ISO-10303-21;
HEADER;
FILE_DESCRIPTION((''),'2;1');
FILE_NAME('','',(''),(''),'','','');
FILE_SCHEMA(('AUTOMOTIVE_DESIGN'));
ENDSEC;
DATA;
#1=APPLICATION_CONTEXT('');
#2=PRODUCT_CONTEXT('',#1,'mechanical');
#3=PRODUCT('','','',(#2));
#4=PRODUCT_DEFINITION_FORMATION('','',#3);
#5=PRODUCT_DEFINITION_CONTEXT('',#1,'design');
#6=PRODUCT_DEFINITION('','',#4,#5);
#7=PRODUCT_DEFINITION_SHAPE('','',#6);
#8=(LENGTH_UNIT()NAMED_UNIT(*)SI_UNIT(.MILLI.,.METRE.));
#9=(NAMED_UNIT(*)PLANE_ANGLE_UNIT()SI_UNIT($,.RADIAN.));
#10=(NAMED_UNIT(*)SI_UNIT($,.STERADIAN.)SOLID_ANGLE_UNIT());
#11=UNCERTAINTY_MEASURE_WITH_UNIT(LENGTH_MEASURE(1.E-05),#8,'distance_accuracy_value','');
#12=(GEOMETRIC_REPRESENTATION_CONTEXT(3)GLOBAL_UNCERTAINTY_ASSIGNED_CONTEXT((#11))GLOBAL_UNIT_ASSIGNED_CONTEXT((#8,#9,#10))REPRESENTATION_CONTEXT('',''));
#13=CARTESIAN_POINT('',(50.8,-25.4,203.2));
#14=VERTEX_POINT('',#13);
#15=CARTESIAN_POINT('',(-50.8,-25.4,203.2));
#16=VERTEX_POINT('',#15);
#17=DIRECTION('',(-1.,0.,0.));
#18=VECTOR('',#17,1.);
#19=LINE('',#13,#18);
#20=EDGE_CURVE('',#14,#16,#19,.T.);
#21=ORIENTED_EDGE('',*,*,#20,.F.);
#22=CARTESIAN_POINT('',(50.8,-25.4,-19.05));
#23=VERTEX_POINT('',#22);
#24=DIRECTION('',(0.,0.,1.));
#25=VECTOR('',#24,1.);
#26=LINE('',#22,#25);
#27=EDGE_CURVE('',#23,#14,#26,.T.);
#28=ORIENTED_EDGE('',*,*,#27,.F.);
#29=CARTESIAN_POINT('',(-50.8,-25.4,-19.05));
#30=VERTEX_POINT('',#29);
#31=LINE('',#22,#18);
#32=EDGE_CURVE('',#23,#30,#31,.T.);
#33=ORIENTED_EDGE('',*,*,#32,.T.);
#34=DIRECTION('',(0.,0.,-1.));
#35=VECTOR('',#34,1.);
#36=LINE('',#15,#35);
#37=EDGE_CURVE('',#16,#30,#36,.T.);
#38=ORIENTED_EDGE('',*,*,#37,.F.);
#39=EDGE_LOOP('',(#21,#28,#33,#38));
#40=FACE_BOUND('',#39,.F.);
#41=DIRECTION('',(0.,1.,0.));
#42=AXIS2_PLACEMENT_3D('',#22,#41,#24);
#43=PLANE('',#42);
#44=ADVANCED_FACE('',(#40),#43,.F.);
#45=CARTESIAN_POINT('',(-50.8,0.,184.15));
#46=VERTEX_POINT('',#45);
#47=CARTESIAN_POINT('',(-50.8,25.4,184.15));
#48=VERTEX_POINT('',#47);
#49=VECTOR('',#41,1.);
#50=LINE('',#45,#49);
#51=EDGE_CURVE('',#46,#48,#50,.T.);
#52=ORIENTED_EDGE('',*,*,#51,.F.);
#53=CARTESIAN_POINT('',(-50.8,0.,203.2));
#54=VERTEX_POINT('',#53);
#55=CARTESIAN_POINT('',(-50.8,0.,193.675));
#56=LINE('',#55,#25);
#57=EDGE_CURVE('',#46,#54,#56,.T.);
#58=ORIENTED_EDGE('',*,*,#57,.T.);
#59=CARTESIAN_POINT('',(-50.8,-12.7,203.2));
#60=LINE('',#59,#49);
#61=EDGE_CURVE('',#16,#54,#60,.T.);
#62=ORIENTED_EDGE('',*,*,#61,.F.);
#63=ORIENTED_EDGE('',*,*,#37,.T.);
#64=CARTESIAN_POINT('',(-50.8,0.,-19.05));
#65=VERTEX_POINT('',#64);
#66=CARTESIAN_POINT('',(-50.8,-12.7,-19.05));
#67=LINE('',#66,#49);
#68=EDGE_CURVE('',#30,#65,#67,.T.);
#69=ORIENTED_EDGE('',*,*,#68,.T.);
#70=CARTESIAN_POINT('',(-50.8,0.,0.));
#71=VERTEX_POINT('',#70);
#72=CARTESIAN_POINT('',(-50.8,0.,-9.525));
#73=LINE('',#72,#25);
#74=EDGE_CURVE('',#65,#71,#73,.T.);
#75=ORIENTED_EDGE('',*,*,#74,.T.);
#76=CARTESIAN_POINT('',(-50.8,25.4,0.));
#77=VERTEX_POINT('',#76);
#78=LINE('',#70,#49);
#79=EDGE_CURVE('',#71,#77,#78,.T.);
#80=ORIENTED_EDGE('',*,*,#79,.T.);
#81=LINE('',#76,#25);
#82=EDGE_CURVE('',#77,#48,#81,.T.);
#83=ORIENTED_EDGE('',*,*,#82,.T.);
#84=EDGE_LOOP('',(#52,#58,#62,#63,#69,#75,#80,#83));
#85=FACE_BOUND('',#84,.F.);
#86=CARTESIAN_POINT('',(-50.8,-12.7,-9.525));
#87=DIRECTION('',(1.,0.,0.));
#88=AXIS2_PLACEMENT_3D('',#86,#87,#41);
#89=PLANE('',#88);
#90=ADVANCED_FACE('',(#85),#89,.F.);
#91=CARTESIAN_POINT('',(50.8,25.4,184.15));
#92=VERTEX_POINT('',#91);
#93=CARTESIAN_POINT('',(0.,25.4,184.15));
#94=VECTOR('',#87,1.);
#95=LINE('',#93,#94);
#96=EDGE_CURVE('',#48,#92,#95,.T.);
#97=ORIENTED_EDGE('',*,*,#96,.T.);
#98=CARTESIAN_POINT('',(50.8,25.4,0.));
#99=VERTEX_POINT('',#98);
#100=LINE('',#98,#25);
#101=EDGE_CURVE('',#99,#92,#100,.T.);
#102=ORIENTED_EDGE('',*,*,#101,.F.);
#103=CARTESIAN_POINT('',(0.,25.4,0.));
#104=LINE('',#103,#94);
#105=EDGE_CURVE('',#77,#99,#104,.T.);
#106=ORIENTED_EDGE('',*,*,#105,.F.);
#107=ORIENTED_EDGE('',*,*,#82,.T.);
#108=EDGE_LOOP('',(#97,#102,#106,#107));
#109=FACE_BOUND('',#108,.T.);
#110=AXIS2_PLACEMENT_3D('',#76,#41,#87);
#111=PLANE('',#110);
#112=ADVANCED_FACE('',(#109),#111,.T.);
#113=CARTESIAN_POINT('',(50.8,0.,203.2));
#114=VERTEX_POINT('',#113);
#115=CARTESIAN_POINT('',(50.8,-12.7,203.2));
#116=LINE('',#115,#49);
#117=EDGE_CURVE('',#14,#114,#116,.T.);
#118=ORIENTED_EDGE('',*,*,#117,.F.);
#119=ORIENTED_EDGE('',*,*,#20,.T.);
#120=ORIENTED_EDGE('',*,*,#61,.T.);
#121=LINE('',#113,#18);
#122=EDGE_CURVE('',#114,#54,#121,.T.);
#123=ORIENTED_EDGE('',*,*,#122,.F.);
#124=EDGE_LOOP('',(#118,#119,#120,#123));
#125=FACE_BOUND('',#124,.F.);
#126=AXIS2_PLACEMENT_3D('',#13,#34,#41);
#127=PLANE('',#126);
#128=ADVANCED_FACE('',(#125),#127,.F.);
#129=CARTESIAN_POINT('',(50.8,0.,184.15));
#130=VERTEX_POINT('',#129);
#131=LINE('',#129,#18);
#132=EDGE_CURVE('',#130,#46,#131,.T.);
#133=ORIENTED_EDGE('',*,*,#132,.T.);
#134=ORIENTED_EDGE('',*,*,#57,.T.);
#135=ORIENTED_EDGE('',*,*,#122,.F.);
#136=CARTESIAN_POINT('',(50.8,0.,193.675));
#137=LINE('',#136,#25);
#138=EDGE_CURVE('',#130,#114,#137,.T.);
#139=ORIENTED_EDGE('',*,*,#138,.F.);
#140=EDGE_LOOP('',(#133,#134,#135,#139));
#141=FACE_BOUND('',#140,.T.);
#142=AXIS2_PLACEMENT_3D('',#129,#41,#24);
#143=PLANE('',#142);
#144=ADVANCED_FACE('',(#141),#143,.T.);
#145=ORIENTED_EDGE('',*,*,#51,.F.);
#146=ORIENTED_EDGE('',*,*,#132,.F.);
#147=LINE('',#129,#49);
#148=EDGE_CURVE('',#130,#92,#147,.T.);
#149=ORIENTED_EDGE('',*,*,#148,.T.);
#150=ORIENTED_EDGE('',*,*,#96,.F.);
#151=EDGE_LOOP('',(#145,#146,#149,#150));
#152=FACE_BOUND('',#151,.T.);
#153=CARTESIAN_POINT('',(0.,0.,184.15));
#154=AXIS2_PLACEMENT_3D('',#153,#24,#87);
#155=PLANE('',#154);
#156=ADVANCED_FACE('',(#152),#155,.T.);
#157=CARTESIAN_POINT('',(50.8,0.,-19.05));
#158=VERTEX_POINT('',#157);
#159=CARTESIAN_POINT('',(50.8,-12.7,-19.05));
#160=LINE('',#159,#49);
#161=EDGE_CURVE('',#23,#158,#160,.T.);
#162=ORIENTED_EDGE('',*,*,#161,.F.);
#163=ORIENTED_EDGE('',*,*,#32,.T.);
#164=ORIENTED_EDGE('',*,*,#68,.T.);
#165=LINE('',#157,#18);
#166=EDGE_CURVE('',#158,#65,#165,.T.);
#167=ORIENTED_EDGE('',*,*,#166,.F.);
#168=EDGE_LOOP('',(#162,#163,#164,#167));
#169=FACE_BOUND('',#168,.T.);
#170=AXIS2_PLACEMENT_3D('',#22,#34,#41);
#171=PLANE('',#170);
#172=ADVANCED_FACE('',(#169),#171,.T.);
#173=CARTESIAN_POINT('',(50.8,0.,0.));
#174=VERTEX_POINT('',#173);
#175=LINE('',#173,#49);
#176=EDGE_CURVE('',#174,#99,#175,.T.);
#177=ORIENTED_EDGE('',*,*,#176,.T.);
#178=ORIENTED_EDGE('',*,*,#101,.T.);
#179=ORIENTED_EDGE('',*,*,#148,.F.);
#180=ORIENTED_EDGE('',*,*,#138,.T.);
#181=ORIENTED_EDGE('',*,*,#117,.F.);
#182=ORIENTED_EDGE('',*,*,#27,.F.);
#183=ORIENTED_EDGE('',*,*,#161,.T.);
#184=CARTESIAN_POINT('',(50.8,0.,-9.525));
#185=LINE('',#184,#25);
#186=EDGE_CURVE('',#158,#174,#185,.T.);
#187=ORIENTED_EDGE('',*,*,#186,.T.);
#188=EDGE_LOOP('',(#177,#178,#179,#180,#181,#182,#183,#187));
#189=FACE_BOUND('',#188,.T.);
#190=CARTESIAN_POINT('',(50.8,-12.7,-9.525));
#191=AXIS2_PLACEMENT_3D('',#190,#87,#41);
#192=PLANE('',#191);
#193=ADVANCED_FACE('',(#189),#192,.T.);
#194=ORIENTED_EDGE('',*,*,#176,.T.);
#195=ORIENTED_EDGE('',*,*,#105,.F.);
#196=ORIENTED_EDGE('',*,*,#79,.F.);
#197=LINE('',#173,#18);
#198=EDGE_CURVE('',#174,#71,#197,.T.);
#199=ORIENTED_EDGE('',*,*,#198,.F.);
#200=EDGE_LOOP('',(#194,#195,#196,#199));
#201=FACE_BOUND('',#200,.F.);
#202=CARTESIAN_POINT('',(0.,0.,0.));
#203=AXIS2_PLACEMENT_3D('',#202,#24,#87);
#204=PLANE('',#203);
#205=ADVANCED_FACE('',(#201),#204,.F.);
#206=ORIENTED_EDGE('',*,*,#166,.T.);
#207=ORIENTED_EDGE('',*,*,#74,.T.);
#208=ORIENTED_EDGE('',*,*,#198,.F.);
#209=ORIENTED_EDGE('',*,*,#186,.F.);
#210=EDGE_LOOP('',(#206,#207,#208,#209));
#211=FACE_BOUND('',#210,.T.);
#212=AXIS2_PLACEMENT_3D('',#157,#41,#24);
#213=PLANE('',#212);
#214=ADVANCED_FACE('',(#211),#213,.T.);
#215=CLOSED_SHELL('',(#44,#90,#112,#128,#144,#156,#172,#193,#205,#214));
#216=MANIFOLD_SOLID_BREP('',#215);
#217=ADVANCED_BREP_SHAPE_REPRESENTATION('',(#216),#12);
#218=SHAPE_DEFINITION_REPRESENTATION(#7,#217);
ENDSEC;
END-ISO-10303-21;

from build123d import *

# Parameters (mm, degrees)
F0_W     = 101.6
F0_H     = 50.8
F1_DEPTH = 184.15
F2_W     = 25.4
F2_H     = 19.05
F3_DEPTH = 101.6


with BuildPart() as f1:
    # F0 (on Top) → F1 (new body)
    with BuildSketch(Plane.XY):
        Rectangle(F0_W, F0_H)
    extrude(amount=F1_DEPTH)

    # F2 (on face) → F3 (join, through all)
    with BuildSketch(Plane.YZ.offset(50.8)):
        with Locations((-12.7, -9.525)):
            Rectangle(F2_W, F2_H)
        with Locations((-12.7, 193.675)):
            Rectangle(F2_W, F2_H)
    extrude(amount=-F3_DEPTH)


solid = f1.part
